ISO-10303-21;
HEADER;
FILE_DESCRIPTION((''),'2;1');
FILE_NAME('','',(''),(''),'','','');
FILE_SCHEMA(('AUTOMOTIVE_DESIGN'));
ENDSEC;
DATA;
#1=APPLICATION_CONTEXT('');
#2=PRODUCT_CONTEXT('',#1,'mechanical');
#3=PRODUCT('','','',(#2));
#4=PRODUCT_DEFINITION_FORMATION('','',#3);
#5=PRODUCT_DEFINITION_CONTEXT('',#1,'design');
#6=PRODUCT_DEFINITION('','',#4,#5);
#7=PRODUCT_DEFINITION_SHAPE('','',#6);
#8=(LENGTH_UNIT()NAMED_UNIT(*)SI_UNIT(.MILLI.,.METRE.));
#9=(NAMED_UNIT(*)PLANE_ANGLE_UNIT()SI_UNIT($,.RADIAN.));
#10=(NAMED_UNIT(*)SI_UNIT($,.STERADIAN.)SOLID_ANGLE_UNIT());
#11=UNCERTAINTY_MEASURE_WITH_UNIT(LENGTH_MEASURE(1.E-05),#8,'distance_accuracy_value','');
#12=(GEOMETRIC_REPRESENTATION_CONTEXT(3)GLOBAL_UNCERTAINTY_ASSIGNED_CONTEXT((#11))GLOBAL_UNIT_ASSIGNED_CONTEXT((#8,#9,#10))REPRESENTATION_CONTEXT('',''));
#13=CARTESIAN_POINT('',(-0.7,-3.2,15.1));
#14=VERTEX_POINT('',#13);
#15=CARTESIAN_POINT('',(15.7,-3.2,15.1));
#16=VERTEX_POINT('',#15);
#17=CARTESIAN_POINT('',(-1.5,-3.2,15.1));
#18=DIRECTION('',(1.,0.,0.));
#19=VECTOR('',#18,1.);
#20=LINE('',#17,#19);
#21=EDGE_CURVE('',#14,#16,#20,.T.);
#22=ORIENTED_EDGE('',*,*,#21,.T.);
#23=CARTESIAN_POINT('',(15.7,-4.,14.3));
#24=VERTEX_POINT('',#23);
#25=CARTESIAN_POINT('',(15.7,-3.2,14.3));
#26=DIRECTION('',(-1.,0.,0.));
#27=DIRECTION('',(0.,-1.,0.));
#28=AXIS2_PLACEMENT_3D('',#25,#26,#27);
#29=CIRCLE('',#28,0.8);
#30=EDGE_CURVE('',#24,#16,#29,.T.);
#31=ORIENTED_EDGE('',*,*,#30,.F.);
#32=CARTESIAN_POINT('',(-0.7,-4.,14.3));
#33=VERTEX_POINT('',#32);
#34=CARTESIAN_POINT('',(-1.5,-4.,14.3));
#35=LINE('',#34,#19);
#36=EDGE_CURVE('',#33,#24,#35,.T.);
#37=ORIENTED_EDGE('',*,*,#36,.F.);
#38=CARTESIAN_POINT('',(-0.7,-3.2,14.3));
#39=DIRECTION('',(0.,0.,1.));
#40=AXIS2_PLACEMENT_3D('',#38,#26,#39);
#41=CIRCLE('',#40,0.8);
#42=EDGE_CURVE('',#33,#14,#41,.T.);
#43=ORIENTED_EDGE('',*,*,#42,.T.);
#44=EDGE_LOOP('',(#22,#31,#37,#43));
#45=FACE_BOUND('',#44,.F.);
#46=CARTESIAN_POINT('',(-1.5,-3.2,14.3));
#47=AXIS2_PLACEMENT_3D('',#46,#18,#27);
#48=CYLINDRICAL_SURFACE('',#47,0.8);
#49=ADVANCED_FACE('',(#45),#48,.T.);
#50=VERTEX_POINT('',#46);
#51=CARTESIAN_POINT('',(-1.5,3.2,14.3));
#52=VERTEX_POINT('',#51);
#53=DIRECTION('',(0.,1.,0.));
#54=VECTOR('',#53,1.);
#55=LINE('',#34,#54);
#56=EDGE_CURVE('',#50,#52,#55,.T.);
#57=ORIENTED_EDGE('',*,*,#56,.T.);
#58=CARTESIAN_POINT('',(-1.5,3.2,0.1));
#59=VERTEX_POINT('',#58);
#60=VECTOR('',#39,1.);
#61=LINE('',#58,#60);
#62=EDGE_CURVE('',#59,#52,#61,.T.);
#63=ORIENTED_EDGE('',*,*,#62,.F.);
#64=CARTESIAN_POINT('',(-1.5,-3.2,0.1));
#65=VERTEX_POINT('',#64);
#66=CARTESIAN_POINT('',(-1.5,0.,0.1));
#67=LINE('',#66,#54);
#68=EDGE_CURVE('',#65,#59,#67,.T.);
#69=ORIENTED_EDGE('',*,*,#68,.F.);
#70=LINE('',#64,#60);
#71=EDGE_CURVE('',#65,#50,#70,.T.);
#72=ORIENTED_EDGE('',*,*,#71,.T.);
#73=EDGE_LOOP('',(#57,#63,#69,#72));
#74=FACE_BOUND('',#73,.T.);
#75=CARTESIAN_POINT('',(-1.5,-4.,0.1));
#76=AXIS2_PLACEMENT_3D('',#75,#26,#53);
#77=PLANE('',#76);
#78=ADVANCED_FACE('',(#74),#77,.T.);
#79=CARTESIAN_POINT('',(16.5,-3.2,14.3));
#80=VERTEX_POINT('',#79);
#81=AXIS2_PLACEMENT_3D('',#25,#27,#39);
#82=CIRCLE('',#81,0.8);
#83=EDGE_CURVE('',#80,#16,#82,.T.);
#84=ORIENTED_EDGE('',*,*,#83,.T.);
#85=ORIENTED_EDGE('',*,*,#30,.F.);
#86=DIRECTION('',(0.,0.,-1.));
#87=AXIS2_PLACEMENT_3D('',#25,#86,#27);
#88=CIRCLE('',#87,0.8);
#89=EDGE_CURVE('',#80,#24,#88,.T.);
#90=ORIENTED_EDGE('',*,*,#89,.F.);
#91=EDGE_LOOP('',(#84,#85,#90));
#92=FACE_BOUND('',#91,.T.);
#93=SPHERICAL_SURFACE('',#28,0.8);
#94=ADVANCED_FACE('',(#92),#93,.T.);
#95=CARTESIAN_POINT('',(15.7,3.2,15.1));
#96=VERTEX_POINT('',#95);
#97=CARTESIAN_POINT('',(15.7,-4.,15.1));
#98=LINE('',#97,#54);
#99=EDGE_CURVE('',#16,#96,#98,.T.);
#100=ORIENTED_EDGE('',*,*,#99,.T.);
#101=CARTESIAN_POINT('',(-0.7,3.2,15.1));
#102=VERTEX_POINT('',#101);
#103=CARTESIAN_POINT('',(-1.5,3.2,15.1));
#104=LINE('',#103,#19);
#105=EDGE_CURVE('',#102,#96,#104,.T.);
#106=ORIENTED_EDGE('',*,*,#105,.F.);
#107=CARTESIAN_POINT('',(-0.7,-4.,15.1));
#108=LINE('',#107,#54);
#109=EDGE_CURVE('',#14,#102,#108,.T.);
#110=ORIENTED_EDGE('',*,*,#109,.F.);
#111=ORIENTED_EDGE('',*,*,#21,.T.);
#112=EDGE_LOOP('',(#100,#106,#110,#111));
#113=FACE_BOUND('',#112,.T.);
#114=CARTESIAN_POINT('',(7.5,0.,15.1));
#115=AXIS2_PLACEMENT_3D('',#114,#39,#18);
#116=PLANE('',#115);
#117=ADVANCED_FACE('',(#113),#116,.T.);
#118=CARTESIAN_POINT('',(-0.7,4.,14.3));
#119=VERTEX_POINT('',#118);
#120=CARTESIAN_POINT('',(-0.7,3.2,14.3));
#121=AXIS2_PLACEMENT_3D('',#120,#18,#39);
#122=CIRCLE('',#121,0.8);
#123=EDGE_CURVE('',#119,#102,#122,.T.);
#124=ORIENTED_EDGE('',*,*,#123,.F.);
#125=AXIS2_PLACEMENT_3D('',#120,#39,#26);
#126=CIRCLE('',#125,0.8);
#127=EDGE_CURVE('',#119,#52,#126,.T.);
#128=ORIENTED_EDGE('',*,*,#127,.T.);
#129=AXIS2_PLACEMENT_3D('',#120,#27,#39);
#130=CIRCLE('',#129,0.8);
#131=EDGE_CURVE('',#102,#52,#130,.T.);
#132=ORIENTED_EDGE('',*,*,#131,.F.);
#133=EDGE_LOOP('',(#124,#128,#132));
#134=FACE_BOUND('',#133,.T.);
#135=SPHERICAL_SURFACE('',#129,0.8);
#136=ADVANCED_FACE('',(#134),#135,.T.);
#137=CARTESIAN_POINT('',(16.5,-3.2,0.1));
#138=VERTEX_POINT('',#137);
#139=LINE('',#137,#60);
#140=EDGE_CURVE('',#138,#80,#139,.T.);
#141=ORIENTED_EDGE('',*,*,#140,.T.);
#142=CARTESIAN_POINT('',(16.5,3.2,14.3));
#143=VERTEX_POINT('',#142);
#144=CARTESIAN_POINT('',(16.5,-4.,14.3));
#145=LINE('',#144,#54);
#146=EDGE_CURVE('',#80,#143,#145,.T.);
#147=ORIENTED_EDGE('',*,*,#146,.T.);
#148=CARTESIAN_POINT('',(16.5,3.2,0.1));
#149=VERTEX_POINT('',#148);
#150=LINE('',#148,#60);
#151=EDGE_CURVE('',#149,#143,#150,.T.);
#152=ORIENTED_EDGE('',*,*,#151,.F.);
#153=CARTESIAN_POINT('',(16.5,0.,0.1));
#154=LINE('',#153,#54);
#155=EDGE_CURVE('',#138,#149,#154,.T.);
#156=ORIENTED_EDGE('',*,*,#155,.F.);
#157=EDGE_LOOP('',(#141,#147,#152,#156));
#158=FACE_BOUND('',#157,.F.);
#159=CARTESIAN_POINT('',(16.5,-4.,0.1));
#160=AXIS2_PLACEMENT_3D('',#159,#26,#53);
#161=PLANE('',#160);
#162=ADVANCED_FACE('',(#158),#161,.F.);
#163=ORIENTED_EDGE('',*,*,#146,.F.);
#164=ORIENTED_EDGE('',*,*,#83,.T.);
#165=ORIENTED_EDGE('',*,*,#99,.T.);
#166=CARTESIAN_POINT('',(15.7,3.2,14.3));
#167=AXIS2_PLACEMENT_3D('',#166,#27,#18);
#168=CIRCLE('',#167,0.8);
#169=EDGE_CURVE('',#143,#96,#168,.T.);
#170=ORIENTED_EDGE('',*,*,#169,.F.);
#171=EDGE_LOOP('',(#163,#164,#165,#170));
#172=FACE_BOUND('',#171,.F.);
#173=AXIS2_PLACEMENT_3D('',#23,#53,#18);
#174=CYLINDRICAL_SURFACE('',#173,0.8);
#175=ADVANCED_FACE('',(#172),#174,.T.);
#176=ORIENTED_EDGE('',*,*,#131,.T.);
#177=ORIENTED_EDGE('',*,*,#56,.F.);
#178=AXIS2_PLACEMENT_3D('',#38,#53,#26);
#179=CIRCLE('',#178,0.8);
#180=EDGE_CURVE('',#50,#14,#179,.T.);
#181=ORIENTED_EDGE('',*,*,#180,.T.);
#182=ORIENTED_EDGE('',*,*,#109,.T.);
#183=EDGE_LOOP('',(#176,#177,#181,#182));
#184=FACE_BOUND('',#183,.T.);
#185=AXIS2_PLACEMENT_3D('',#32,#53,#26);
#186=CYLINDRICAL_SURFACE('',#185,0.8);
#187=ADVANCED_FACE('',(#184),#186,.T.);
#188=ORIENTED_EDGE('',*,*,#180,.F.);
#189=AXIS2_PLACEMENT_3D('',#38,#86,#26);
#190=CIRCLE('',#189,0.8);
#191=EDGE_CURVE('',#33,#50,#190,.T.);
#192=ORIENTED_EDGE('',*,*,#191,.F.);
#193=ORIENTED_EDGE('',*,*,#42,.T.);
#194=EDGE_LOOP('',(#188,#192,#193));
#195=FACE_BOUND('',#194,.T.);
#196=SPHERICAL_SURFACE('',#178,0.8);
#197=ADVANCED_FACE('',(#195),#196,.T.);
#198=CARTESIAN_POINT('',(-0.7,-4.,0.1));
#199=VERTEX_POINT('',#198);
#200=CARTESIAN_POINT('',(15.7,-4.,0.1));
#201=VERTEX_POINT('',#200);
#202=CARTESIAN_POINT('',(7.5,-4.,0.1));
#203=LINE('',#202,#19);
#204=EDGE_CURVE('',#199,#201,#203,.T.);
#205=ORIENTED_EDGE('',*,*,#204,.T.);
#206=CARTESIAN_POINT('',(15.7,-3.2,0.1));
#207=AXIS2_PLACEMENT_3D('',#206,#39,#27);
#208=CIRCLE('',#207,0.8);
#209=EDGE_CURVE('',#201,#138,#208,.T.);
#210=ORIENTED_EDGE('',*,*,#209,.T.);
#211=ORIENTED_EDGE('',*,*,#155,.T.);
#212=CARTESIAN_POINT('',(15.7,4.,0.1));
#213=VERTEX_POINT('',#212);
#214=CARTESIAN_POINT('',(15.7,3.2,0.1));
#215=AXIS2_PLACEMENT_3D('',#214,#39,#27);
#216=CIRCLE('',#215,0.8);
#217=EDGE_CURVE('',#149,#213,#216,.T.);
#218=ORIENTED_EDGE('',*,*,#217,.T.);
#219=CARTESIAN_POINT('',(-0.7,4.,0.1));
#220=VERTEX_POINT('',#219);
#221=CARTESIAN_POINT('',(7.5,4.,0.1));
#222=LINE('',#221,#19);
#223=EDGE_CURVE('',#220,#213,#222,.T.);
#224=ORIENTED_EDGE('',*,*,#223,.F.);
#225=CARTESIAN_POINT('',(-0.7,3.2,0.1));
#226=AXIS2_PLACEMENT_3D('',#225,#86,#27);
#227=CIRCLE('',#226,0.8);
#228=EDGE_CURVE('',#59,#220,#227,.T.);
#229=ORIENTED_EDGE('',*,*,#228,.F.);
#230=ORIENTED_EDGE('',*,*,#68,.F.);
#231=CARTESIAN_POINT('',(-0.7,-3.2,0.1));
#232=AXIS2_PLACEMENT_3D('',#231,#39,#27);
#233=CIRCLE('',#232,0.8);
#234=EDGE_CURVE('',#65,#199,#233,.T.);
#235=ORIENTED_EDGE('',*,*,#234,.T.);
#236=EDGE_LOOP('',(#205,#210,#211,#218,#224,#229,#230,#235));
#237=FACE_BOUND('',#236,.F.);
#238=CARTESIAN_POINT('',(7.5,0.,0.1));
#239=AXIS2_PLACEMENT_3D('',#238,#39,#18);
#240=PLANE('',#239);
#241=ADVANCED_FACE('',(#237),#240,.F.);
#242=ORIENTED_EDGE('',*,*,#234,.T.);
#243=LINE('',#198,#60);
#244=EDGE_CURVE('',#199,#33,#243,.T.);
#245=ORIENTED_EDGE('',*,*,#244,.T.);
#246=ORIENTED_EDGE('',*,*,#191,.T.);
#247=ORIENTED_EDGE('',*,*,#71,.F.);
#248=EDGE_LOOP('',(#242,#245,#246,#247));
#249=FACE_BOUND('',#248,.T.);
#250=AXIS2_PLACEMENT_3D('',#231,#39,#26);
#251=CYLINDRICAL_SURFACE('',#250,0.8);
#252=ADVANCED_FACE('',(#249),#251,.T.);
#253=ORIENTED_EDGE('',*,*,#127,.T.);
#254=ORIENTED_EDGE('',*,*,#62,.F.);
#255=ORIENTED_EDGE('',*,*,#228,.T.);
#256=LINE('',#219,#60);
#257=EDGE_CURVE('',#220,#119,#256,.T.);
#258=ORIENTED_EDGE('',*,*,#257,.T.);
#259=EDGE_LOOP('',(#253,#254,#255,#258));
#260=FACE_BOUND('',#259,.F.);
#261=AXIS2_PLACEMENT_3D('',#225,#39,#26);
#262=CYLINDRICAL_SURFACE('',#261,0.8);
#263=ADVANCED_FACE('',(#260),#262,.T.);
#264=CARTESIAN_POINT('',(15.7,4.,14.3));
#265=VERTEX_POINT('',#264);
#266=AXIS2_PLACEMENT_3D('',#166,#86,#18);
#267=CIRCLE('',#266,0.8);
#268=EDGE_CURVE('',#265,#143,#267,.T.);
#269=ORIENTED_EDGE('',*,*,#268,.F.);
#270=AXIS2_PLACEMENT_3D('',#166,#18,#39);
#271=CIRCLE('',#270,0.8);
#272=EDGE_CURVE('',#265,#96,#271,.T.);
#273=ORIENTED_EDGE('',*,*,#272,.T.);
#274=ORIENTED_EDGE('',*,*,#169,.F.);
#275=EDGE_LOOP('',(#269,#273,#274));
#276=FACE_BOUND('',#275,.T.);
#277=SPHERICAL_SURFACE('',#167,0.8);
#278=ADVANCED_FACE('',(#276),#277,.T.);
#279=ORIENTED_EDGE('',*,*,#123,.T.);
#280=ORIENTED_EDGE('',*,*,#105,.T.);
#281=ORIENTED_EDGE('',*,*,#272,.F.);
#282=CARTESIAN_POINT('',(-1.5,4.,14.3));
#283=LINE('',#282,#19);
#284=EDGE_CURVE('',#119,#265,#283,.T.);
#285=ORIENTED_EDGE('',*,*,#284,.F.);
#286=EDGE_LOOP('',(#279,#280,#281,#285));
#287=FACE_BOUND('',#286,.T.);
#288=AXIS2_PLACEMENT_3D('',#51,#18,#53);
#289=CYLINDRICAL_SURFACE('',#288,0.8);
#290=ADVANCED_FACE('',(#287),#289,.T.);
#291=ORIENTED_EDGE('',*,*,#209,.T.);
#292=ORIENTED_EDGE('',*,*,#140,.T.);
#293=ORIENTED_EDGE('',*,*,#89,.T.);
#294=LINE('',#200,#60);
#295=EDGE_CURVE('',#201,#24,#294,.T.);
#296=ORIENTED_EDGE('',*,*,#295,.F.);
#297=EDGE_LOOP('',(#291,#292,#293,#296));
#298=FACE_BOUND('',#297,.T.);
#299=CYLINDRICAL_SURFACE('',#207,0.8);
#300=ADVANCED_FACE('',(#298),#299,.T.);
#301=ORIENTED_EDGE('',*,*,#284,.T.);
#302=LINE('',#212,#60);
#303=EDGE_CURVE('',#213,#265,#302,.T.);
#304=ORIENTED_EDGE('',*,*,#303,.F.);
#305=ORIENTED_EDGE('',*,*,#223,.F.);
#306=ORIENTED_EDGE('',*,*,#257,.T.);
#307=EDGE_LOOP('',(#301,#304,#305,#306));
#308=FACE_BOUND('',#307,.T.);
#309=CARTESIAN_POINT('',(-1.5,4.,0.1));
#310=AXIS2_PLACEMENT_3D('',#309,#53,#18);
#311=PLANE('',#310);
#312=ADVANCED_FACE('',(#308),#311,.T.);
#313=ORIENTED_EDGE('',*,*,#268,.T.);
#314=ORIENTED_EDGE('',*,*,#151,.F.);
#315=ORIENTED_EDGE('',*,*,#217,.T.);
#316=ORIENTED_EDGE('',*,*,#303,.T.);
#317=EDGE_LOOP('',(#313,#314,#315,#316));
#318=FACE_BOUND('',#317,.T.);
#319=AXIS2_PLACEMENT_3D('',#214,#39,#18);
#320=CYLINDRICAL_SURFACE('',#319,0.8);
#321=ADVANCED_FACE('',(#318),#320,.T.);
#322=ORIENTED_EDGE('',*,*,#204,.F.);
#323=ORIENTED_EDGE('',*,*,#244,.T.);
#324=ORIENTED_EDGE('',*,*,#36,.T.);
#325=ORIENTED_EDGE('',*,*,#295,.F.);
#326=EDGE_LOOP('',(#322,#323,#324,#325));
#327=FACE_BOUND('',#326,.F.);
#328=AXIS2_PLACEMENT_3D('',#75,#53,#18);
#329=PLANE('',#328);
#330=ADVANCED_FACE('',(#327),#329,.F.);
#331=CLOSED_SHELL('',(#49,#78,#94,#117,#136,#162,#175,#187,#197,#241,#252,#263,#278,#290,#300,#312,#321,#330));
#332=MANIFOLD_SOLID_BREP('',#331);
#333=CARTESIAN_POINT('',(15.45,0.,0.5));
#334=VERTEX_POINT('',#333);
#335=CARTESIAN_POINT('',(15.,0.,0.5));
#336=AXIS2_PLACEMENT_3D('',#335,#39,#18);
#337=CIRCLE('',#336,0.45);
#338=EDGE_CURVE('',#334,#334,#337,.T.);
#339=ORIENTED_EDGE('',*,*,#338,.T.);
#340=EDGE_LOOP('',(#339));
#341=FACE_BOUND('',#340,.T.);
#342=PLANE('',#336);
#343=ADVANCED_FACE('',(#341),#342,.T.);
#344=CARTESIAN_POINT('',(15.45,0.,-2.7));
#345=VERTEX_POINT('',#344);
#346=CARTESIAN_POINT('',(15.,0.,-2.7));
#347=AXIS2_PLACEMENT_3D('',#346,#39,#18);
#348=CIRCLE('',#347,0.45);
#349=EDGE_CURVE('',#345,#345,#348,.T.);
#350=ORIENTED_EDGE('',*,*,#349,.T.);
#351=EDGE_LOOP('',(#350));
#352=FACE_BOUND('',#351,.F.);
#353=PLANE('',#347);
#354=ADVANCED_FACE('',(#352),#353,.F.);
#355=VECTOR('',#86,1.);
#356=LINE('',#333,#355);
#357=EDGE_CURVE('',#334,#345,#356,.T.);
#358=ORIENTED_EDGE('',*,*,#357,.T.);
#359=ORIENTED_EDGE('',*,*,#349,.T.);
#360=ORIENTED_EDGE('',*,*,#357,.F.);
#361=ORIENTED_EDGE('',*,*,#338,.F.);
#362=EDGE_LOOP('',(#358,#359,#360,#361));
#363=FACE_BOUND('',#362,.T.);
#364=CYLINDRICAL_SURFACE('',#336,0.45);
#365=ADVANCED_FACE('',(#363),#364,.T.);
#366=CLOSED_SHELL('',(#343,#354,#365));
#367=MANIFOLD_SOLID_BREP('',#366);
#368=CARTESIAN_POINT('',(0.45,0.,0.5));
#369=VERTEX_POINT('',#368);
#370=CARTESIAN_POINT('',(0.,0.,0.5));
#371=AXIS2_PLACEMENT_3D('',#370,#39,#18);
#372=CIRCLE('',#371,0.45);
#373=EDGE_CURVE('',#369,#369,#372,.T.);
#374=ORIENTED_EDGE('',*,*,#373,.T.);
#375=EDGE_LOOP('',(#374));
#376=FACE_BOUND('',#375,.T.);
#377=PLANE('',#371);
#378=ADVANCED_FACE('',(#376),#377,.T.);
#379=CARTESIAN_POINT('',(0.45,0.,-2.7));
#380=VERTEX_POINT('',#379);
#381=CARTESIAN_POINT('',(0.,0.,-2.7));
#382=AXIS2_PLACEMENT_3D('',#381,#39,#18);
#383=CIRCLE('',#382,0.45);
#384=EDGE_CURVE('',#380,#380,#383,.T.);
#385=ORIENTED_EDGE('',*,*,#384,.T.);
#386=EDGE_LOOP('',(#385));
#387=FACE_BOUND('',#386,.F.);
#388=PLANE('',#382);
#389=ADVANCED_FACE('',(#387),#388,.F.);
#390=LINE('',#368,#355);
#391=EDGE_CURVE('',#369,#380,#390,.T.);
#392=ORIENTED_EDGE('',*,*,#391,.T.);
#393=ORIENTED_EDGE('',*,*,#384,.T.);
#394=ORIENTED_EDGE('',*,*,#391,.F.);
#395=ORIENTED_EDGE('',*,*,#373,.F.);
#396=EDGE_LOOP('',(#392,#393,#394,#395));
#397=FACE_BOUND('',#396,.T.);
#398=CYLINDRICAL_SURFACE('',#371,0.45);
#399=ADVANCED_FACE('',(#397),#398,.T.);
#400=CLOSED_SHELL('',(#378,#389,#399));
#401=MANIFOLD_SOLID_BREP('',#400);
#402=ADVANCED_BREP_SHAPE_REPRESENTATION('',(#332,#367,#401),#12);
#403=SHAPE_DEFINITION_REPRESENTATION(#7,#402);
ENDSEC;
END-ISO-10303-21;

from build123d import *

# Parameters (mm, degrees)
SKETCH_W     = 18
SKETCH_H     = 8
PAD_DEPTH    = 15
FILLET_R     = 0.8
SKETCH001_R  = 0.45
PAD001_DEPTH = 3.2


with BuildPart() as fillet_body:
    # Sketch → Pad (new body)
    with BuildSketch(Plane.XY.offset(0.1)):
        with Locations((7.5, 0)):
            Rectangle(SKETCH_W, SKETCH_H)
    extrude(amount=PAD_DEPTH)

    # Fillet
    fillet_edges = [fillet_body.edges().sort_by_distance(p)[0] for p in [
        (-1.5, 0, 15.1),
        (-1.5, -4, 7.6),
        (7.5, -4, 15.1),
        (16.5, -4, 7.6),
        (16.5, 0, 15.1),
        (16.5, 4, 7.6),
        (7.5, 4, 15.1),
        (-1.5, 4, 7.6),
    ]]
    fillet(fillet_edges, radius=FILLET_R)


with BuildPart() as pad001:
    # Sketch001 → Pad001 (new body)
    with BuildSketch(Plane.XY.offset(0.5)):
        Circle(SKETCH001_R)
        with Locations((15, 0)):
            Circle(SKETCH001_R)
    extrude(amount=-PAD001_DEPTH)


solid = Compound([fillet_body.part, pad001.part])
